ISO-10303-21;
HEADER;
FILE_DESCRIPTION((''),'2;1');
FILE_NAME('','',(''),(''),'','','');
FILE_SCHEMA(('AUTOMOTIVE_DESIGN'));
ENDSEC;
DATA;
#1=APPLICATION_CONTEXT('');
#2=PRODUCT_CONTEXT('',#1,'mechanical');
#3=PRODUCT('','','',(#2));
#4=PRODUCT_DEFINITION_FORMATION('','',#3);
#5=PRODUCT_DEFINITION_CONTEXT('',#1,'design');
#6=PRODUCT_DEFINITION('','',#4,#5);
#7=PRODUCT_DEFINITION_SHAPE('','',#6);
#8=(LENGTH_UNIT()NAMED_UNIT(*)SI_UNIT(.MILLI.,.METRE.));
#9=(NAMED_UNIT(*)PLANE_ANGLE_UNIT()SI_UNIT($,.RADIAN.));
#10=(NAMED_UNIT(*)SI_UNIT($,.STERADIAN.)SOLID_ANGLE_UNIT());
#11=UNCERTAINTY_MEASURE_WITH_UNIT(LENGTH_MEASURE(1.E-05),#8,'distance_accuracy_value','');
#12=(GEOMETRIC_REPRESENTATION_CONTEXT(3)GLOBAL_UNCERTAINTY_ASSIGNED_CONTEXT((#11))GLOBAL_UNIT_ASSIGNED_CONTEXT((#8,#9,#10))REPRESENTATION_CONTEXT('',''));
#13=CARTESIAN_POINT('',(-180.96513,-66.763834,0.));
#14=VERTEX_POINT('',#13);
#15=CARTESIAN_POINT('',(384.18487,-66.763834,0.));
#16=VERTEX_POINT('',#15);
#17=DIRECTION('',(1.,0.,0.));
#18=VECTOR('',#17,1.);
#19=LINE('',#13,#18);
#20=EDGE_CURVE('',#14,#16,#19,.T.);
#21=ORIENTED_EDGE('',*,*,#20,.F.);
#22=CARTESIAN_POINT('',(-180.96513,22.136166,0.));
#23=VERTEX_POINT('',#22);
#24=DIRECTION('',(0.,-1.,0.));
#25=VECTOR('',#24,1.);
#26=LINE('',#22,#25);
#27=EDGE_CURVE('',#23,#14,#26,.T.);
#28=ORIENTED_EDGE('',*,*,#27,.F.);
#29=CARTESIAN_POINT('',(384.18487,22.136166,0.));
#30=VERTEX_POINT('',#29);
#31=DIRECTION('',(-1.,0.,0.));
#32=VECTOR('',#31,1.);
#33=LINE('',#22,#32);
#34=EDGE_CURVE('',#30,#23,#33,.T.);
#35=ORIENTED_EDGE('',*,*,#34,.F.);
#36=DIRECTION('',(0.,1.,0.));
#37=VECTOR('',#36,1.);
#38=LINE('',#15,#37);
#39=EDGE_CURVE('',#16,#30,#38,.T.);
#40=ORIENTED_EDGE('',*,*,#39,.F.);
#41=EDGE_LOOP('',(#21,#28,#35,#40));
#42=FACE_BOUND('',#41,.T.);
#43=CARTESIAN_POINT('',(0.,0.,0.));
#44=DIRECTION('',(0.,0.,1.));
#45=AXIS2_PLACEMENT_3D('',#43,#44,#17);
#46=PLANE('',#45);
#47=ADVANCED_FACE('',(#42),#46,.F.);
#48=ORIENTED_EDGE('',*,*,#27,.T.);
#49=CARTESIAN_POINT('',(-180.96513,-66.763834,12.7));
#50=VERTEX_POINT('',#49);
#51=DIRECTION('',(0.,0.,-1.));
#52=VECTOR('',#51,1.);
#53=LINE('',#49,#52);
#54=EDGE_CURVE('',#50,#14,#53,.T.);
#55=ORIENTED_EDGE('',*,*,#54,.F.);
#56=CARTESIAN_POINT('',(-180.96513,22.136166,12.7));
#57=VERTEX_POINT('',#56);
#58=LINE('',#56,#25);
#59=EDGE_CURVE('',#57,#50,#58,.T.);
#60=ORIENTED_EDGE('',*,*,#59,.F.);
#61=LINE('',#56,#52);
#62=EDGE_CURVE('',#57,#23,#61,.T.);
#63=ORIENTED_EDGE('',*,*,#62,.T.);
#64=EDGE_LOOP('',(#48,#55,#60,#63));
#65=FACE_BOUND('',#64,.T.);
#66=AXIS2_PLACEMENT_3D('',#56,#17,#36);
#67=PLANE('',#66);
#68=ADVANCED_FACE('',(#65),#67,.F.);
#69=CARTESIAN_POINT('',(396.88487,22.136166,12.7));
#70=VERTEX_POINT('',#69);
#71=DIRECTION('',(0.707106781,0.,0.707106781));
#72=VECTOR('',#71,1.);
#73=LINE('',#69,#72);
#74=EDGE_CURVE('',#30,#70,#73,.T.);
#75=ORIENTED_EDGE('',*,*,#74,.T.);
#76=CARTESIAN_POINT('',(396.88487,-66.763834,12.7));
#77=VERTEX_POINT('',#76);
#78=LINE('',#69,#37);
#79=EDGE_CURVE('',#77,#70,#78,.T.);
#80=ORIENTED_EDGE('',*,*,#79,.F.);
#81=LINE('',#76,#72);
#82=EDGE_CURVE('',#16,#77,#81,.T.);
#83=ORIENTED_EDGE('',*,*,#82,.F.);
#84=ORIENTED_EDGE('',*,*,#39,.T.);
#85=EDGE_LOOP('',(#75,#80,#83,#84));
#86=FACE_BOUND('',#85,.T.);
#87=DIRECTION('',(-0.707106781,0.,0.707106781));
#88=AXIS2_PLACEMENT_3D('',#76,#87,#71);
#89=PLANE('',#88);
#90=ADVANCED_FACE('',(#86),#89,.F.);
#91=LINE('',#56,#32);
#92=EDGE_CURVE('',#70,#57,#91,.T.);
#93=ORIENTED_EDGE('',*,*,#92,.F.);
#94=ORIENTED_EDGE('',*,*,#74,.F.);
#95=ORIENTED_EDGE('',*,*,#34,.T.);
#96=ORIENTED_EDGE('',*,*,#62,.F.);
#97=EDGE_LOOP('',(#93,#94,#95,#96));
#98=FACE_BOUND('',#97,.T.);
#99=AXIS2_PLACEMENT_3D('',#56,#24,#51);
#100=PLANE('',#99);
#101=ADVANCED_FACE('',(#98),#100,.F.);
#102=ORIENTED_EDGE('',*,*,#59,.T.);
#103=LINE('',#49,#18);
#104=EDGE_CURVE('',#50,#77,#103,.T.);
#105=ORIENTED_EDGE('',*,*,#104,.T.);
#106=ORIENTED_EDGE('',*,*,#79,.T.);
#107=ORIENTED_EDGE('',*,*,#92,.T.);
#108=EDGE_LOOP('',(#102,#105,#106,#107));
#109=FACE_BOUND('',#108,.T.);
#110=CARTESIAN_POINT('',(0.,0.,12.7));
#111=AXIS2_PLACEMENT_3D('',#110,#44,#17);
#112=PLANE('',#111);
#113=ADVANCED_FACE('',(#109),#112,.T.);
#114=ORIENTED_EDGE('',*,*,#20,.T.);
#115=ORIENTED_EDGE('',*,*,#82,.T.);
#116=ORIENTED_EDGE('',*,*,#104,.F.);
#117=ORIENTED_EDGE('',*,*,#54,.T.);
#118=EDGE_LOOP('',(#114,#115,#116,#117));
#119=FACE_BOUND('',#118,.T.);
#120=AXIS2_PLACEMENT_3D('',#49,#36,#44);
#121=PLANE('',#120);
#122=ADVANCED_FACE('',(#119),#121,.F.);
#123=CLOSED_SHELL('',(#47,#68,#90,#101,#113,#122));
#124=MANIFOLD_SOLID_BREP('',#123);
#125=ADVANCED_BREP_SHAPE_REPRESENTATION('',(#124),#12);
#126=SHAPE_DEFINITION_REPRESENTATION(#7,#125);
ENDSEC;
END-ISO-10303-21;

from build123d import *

# Parameters (mm, degrees)
SKETCH1_W           = 577.85
SKETCH1_H           = 88.9
BOSS_EXTRUDE1_DEPTH = 12.7
CUT_EXTRUDE1_DEPTH  = 89.9


with BuildPart() as part:
    # Sketch1 → Boss-Extrude1 (new body)
    with BuildSketch(Plane.XY):
        with Locations((107.959870466, -22.313834197)):
            Rectangle(SKETCH1_W, SKETCH1_H)
    extrude(amount=BOSS_EXTRUDE1_DEPTH)

    # Sketch2 → Cut-Extrude1 (cut, through all)
    with BuildSketch(Plane(origin=(0, 22.136165803, 0), x_dir=(1, 0, 0), z_dir=(0, 1, 0))):
        Polygon((396.884870466, -12.7), (384.184870466, 0), (396.884870466, 0), align=None)
    extrude(amount=-CUT_EXTRUDE1_DEPTH, mode=Mode.SUBTRACT)


solid = part.part
